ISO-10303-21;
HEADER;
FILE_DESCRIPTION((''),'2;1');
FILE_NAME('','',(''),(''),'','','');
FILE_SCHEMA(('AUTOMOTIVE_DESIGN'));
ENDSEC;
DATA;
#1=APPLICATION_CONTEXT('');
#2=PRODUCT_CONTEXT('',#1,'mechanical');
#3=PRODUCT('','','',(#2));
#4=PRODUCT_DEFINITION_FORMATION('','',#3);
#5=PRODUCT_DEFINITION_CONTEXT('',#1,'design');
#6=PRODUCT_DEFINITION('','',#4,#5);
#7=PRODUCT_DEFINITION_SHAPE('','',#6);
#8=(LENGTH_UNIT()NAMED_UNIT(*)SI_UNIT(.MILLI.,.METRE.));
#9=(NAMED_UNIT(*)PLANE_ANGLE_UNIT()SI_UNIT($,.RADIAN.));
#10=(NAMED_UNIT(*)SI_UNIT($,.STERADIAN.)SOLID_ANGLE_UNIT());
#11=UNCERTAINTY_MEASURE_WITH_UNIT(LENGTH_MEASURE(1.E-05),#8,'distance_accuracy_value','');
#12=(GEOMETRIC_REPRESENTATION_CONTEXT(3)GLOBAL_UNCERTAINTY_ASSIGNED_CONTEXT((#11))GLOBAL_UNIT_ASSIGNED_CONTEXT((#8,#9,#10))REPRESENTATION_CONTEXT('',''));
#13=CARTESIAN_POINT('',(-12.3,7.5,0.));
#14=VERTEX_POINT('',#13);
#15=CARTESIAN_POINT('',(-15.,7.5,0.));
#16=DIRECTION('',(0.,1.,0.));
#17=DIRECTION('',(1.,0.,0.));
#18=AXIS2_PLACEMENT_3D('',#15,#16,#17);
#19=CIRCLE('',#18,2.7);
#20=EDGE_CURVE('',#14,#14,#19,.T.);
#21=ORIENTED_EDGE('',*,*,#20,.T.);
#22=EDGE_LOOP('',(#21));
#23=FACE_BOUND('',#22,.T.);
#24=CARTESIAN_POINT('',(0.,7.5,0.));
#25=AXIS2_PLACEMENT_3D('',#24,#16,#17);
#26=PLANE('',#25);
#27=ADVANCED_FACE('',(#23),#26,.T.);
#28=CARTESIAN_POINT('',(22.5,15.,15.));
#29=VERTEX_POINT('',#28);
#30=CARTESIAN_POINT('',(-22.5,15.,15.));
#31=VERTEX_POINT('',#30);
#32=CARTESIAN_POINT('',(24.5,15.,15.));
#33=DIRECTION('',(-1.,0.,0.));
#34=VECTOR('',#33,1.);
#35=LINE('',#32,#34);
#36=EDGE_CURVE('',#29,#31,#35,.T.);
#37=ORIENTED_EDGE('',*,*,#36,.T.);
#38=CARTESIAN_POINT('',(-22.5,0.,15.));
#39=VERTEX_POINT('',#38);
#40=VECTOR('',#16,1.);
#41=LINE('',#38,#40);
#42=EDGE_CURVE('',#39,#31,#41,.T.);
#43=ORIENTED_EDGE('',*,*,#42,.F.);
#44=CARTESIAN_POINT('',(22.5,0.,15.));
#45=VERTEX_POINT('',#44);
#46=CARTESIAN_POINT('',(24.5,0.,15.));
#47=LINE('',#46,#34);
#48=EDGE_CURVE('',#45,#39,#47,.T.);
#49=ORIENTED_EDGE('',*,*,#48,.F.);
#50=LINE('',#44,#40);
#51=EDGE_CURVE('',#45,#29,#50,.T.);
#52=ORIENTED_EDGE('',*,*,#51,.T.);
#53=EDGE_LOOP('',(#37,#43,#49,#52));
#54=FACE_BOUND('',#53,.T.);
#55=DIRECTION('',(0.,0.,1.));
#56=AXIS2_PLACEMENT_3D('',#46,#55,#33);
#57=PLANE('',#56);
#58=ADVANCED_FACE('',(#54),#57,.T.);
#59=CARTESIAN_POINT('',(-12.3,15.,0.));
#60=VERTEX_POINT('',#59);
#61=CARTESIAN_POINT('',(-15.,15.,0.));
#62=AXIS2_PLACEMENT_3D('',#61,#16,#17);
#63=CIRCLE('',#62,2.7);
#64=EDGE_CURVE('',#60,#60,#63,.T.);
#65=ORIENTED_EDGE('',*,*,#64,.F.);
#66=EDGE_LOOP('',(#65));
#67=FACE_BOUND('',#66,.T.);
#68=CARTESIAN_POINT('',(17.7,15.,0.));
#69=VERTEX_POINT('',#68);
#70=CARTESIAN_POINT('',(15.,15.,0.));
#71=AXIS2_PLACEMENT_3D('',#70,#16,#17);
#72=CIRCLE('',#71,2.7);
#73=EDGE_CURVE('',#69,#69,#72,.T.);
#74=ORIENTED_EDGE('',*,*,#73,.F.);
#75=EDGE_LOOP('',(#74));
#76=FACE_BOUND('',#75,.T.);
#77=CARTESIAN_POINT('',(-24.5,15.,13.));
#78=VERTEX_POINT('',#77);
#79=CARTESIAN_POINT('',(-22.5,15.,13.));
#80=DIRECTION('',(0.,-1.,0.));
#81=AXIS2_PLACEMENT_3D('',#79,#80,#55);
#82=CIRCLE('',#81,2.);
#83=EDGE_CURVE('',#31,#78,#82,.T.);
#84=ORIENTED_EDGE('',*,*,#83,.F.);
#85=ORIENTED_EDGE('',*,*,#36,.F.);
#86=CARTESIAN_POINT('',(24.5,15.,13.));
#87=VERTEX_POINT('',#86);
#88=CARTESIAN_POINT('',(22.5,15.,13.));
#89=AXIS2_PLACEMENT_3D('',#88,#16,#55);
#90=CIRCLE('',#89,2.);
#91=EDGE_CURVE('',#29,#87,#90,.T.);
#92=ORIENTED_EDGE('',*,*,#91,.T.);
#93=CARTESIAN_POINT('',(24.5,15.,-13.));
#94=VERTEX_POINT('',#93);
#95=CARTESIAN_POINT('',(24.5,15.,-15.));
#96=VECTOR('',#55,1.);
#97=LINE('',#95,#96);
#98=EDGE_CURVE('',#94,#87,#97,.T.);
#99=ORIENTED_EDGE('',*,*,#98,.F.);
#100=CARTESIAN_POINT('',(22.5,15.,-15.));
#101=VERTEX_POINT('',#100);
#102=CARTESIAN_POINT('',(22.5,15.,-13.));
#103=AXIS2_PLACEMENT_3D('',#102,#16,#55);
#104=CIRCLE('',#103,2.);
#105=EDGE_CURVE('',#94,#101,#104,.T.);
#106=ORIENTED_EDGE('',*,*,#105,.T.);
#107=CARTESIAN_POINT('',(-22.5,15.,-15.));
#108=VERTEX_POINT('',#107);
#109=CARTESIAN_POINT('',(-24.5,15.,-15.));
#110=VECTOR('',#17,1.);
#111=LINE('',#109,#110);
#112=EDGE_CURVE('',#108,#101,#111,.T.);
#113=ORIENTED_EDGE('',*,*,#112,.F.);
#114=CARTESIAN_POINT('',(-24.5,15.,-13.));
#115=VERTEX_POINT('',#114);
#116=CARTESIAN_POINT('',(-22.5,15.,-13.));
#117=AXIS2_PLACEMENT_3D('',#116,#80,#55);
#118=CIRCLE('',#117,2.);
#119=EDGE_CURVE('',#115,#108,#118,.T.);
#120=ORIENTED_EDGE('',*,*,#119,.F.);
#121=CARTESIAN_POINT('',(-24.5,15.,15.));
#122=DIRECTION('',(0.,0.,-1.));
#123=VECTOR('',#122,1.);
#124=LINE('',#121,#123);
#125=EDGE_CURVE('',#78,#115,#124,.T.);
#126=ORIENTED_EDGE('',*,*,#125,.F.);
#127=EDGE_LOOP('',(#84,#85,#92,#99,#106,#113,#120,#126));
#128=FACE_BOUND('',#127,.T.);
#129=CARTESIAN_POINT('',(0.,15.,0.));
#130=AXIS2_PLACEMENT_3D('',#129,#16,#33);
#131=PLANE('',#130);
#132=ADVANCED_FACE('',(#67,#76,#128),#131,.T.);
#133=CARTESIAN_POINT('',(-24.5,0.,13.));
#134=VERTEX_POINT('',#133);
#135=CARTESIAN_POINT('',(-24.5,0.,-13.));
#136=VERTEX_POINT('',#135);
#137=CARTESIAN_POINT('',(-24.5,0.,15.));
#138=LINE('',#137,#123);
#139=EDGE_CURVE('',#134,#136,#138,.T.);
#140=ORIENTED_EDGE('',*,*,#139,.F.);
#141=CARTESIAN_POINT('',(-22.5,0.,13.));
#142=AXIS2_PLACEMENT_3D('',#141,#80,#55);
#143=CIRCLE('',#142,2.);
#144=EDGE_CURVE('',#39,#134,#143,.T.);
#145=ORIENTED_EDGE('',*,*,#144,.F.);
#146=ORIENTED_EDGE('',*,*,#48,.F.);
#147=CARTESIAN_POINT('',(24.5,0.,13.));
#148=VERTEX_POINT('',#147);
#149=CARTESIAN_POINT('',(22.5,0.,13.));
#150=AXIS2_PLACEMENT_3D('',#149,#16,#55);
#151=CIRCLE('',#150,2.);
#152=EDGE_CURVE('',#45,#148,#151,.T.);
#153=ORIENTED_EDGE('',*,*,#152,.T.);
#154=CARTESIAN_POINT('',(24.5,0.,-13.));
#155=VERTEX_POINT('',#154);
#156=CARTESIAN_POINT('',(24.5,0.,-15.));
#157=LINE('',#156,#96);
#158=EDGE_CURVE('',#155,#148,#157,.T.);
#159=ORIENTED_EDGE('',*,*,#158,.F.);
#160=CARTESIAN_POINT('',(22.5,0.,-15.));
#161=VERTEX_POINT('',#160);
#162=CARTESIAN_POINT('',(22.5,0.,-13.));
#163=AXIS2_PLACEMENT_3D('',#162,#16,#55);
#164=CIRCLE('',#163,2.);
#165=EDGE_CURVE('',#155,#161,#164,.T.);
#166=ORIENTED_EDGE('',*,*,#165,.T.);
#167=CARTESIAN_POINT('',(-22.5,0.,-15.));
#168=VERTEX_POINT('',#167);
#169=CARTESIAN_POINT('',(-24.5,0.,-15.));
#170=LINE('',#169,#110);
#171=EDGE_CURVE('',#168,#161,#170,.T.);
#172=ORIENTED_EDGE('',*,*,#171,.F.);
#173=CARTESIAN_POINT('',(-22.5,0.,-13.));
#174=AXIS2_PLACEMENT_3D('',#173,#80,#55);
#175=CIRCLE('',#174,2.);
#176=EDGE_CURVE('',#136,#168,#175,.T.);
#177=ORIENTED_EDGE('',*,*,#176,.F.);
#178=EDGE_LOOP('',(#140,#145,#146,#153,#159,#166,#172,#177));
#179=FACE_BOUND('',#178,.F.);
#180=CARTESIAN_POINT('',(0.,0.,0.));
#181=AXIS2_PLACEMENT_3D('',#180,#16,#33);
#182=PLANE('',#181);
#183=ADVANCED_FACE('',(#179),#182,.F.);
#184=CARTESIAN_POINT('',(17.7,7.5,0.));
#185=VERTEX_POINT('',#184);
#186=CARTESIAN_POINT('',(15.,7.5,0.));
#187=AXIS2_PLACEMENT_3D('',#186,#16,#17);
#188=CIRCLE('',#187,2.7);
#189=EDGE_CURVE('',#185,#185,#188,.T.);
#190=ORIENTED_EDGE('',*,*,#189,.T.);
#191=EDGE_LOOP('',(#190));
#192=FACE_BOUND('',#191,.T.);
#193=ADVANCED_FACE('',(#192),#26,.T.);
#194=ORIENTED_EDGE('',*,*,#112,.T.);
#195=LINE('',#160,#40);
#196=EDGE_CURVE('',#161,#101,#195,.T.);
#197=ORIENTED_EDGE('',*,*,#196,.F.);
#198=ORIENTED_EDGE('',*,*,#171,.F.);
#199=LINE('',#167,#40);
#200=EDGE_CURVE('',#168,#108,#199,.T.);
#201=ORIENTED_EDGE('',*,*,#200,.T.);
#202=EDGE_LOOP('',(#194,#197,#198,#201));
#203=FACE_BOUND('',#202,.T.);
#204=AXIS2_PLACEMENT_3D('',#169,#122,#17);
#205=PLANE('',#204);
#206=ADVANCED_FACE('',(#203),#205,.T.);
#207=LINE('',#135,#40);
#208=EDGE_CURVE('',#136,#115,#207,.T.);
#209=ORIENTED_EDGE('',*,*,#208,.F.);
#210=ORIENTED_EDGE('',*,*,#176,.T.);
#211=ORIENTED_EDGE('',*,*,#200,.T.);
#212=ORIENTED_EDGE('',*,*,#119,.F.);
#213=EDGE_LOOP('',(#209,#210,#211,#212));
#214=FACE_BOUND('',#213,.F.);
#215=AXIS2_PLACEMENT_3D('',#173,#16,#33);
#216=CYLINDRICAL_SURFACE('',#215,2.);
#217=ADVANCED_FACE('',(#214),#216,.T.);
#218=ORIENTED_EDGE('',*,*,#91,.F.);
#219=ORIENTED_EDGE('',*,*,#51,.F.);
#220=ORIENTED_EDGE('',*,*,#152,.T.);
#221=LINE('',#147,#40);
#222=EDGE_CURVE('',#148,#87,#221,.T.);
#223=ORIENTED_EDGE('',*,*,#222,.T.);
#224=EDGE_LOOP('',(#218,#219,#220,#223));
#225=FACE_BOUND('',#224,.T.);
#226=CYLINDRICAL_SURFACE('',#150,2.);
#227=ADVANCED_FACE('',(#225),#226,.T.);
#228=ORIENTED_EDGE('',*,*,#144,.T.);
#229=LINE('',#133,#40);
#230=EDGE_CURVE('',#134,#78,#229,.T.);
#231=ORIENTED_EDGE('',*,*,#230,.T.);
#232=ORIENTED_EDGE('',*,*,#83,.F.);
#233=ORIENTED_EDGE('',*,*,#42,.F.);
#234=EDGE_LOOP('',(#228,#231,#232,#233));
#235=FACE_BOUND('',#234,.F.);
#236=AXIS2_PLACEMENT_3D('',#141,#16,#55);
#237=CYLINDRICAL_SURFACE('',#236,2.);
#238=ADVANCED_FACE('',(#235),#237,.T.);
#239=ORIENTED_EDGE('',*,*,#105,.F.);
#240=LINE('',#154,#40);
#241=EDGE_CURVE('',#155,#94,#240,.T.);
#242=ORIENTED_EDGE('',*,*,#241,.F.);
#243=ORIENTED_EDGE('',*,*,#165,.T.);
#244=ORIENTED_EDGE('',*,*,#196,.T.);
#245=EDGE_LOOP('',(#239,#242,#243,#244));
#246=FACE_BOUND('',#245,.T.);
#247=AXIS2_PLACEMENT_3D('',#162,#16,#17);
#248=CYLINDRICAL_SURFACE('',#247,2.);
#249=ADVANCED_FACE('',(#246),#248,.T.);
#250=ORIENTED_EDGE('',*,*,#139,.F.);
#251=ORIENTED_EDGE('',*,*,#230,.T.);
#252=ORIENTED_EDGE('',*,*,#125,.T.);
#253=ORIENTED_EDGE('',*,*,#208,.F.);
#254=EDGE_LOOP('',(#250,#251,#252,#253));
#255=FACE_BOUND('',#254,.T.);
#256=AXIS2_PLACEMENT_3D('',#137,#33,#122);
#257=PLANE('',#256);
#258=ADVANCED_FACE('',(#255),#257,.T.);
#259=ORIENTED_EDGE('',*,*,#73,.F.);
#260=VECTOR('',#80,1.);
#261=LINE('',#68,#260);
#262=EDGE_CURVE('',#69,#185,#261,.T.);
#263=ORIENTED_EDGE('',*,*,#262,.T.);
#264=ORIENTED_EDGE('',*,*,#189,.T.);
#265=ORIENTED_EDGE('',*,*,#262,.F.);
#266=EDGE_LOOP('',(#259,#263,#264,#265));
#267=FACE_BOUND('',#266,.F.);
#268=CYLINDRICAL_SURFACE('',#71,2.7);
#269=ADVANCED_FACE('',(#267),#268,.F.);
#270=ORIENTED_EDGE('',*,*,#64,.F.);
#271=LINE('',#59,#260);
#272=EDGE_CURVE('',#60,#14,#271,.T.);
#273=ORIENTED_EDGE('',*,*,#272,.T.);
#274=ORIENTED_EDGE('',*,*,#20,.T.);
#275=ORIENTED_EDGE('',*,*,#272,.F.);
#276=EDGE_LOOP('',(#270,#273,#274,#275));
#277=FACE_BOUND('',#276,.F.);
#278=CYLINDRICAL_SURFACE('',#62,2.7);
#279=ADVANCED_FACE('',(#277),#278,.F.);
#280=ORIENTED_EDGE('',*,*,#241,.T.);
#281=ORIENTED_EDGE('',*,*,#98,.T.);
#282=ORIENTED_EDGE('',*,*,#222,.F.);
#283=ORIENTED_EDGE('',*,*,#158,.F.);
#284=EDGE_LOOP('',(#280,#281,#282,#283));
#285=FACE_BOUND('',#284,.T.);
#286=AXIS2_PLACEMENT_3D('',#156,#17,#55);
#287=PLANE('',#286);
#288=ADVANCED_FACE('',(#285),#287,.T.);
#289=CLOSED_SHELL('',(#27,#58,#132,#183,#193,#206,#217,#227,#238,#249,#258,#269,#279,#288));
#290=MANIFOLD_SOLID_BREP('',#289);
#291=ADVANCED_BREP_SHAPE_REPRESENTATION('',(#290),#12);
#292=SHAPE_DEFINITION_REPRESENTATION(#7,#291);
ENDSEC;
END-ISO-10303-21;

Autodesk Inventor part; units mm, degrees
ref_plane "YZ Plane" through (0, 0, 0) normal (1, 0, 0) x (0, 1, 0)
ref_plane "XZ Plane" through (0, 0, 0) normal (0, 1, 0) x (-1, 0, 0)
ref_plane "XY Plane" through (0, 0, 0) normal (0, 0, 1) x (1, 0, 0)
sketch "Boceto1" plane through (0, 0, 0) normal (0, 1, 0) x (-1, 0, 0)
  line L0 (-24.5, 15) -> (24.5, 15)
  line L1 (24.5, 15) -> (24.5, -15)
  line L2 (24.5, -15) -> (-24.5, -15)
  line L3 (-24.5, -15) -> (-24.5, 15)
  line L4 (-24.5, 15) -> (24.5, -15) construction
  line L5 (24.5, 15) -> (-24.5, -15) construction
  point P0 (0, 0)
  dimension "d0" = 49
  dimension "d1" = 30
extrude "Extrusión1" add sketch "Boceto1" along normal blind 15
sketch "Boceto2" plane through (0, 15, 0) normal (0, 1, 0) x (1, 0, 0)
  circle A0 centre (-15, 0) radius 2.7
  circle A1 centre (15, 0) radius 2.7
  line L0 (-24.5, 15) -> (-24.5, -15) projected
  line L1 (24.5, -15) -> (24.5, 15) projected
  point P0 (0, 0)
  dimension "d4" = 5.4
  dimension "d5" = 5.4
  dimension "d10" = 15
  dimension "d11" = 15
extrude "Extrusión2" cut sketch "Boceto2" against normal blind 7.5
fillet "Empalme1" radius 2 4 edges at (-24.5, 7.5, 15) (24.5, 7.5, 15) (24.5, 7.5, -15) (-24.5, 7.5, -15)
properties part number "Teeth"
